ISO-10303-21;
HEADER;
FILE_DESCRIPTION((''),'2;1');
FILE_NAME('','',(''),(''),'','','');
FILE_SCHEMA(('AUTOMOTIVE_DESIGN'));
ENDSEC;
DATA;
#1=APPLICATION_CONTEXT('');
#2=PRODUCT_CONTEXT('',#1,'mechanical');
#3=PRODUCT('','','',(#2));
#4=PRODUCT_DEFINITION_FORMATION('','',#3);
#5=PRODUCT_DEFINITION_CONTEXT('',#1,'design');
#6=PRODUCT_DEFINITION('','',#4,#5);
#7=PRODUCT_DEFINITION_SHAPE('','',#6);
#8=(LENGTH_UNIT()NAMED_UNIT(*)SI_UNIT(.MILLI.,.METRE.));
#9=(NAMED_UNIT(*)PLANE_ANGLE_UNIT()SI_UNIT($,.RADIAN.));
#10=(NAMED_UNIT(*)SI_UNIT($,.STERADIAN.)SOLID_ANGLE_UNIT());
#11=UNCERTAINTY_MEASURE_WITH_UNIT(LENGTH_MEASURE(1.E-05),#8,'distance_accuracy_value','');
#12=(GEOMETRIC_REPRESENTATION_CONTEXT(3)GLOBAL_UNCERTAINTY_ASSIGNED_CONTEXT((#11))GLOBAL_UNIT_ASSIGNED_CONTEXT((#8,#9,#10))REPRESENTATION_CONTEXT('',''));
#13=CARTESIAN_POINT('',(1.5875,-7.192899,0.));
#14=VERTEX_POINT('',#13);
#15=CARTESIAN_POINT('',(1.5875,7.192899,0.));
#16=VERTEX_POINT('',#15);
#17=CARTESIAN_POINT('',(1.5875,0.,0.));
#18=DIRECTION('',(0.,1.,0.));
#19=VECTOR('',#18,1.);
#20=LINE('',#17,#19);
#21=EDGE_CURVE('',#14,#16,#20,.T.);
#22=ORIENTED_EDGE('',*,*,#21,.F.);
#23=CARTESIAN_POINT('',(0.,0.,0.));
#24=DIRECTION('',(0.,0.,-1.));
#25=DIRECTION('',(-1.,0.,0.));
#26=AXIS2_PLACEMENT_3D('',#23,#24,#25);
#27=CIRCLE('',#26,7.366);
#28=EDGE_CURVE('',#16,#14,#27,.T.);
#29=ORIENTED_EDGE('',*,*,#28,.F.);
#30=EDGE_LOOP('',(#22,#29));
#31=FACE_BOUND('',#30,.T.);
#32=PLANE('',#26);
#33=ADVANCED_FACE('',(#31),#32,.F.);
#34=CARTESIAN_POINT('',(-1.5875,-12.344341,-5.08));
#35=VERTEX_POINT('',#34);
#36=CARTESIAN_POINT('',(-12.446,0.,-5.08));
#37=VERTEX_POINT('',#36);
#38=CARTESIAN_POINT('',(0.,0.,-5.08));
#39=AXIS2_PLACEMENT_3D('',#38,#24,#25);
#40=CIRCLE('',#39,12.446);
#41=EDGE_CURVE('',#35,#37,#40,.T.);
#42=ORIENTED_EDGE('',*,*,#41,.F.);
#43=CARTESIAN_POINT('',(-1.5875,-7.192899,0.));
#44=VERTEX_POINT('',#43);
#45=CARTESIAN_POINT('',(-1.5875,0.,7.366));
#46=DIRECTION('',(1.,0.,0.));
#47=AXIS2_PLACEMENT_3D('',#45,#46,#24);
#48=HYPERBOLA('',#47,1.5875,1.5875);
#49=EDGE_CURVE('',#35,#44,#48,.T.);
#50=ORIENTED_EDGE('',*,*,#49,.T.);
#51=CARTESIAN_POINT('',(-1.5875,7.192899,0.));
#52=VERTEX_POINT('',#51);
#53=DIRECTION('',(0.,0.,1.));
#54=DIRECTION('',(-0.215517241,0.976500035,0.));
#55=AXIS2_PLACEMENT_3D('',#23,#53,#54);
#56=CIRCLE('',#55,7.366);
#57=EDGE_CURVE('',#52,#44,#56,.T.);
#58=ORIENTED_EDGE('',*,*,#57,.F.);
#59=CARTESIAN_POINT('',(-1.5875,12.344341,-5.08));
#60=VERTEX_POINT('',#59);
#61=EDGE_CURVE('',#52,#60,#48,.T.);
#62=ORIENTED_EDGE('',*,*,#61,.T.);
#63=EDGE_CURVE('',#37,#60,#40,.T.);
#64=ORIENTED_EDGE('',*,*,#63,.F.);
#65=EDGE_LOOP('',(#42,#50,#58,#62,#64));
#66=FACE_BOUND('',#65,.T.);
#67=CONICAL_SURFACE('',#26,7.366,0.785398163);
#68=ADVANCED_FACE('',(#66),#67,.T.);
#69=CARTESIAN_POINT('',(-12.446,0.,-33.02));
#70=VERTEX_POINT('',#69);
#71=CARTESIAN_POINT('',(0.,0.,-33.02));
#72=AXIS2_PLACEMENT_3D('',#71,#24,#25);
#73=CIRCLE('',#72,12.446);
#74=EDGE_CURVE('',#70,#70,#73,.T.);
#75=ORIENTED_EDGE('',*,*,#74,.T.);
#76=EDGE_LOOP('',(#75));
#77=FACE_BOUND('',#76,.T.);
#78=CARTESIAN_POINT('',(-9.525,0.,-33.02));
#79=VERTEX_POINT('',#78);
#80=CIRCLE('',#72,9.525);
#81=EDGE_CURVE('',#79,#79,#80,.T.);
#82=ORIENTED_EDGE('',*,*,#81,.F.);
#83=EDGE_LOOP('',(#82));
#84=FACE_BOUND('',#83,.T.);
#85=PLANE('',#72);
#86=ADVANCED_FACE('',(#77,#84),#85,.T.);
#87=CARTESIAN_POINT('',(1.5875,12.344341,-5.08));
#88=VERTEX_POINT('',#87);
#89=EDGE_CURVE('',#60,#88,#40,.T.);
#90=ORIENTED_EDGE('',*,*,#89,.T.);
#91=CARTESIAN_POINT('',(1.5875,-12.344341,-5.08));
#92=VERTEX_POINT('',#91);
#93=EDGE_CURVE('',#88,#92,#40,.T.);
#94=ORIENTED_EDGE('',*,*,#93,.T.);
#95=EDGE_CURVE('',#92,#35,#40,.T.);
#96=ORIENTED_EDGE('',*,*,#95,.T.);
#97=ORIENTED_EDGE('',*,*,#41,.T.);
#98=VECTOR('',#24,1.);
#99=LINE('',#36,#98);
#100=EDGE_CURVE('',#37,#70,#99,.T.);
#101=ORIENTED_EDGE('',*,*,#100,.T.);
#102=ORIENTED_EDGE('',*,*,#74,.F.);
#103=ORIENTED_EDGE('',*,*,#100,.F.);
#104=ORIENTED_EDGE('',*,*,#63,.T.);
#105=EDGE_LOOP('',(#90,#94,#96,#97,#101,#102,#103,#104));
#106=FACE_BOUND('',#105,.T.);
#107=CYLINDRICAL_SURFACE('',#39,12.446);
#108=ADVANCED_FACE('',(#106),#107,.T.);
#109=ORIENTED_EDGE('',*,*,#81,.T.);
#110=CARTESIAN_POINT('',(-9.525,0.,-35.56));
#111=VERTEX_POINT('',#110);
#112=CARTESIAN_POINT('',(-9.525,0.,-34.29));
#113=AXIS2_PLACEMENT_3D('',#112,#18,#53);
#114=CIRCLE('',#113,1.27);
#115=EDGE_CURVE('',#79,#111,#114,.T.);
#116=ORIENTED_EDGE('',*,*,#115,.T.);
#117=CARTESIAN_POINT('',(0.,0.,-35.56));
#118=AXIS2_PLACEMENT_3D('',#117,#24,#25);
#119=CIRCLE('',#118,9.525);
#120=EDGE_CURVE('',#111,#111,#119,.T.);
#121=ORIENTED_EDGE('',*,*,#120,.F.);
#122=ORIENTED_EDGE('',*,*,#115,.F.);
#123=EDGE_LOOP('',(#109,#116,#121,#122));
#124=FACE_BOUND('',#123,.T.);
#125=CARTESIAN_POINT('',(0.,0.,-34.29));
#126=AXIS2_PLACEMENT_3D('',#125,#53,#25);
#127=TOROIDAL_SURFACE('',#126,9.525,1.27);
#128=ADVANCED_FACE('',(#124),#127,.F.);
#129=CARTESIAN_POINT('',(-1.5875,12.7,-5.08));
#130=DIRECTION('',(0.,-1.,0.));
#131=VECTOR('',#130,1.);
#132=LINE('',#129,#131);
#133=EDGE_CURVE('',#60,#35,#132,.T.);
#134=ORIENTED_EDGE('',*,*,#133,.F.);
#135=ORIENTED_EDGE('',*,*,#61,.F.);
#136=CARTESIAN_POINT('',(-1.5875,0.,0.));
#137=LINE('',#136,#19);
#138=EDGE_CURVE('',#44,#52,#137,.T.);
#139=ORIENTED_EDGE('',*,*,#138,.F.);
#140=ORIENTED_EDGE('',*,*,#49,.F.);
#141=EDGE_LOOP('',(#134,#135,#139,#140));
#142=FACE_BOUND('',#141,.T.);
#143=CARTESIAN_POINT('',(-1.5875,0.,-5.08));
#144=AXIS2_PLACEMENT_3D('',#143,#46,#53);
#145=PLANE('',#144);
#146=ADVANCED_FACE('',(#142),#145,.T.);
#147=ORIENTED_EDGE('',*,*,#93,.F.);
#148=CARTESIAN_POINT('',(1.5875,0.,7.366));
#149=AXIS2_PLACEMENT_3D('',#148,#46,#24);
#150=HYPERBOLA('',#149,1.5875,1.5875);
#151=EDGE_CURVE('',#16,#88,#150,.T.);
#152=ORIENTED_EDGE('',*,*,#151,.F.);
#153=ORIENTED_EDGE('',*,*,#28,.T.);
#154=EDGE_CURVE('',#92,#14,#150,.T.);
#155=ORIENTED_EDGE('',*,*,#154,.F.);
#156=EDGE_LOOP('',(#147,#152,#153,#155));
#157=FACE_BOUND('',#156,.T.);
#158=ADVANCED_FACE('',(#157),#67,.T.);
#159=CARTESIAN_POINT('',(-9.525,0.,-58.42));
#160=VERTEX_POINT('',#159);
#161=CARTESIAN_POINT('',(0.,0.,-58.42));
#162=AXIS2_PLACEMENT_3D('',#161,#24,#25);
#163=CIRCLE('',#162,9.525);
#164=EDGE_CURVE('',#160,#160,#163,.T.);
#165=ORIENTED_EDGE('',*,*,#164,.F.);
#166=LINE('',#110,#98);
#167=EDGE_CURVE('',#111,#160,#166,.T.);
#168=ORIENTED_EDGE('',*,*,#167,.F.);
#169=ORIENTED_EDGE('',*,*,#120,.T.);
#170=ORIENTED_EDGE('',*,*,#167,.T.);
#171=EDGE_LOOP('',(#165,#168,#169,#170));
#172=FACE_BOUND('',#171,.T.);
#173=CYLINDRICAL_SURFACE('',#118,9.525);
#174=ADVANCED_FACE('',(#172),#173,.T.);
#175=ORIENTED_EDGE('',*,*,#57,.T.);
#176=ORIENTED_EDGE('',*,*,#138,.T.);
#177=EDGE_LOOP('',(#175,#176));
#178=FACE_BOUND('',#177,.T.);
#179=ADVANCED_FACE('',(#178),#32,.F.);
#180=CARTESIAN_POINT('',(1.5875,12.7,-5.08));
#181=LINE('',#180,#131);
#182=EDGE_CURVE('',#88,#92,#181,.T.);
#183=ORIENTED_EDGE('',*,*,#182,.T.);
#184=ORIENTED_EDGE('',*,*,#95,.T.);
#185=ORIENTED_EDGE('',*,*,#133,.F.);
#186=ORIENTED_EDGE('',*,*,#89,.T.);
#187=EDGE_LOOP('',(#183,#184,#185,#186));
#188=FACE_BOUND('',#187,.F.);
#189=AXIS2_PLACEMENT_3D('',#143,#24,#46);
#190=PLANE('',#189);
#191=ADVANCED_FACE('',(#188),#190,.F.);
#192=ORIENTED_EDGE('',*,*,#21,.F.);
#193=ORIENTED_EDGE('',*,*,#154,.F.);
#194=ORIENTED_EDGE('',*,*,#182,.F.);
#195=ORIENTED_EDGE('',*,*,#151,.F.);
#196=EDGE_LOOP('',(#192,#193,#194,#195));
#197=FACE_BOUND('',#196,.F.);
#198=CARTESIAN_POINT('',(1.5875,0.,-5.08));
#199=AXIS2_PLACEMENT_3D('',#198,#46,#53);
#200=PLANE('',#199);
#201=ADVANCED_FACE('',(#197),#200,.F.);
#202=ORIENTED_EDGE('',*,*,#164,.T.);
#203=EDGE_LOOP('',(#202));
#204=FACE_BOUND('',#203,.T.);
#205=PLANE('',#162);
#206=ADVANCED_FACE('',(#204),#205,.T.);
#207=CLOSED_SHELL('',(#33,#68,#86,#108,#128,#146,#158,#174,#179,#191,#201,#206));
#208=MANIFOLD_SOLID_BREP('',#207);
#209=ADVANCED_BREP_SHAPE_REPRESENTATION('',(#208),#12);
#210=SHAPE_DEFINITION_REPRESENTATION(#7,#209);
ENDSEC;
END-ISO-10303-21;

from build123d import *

# Parameters (mm, degrees)
F2_W     = 3.175
F2_H     = 10.16
F3_DEPTH = 12.7


with BuildPart() as f1:
    # F0 (on Front) → F1 (revolve)
    with BuildSketch(Plane.XZ):
        with BuildLine():
            Line((0, -58.42), (0, 0))
            Line((0, 0), (-7.366, 0))
            Line((-7.366, 0), (-12.446, -5.08))
            Line((-12.446, -5.08), (-12.446, -33.02))
            Line((-12.446, -33.02), (-9.525, -33.02))
            ThreePointArc((-9.525, -33.02), (-8.255, -34.29), (-9.525, -35.56))
            Line((-9.525, -35.56), (-9.525, -58.42))
            Line((-9.525, -58.42), (0, -58.42))
        make_face()
    revolve(axis=Axis((0, 0, -29.21), (0, 0, -1)))

    # F2 (on Front) → F3 (cut, symmetric)
    with BuildSketch(Plane.XZ):
        Rectangle(F2_W, F2_H)
    extrude(amount=F3_DEPTH, both=True, mode=Mode.SUBTRACT)


solid = f1.part
